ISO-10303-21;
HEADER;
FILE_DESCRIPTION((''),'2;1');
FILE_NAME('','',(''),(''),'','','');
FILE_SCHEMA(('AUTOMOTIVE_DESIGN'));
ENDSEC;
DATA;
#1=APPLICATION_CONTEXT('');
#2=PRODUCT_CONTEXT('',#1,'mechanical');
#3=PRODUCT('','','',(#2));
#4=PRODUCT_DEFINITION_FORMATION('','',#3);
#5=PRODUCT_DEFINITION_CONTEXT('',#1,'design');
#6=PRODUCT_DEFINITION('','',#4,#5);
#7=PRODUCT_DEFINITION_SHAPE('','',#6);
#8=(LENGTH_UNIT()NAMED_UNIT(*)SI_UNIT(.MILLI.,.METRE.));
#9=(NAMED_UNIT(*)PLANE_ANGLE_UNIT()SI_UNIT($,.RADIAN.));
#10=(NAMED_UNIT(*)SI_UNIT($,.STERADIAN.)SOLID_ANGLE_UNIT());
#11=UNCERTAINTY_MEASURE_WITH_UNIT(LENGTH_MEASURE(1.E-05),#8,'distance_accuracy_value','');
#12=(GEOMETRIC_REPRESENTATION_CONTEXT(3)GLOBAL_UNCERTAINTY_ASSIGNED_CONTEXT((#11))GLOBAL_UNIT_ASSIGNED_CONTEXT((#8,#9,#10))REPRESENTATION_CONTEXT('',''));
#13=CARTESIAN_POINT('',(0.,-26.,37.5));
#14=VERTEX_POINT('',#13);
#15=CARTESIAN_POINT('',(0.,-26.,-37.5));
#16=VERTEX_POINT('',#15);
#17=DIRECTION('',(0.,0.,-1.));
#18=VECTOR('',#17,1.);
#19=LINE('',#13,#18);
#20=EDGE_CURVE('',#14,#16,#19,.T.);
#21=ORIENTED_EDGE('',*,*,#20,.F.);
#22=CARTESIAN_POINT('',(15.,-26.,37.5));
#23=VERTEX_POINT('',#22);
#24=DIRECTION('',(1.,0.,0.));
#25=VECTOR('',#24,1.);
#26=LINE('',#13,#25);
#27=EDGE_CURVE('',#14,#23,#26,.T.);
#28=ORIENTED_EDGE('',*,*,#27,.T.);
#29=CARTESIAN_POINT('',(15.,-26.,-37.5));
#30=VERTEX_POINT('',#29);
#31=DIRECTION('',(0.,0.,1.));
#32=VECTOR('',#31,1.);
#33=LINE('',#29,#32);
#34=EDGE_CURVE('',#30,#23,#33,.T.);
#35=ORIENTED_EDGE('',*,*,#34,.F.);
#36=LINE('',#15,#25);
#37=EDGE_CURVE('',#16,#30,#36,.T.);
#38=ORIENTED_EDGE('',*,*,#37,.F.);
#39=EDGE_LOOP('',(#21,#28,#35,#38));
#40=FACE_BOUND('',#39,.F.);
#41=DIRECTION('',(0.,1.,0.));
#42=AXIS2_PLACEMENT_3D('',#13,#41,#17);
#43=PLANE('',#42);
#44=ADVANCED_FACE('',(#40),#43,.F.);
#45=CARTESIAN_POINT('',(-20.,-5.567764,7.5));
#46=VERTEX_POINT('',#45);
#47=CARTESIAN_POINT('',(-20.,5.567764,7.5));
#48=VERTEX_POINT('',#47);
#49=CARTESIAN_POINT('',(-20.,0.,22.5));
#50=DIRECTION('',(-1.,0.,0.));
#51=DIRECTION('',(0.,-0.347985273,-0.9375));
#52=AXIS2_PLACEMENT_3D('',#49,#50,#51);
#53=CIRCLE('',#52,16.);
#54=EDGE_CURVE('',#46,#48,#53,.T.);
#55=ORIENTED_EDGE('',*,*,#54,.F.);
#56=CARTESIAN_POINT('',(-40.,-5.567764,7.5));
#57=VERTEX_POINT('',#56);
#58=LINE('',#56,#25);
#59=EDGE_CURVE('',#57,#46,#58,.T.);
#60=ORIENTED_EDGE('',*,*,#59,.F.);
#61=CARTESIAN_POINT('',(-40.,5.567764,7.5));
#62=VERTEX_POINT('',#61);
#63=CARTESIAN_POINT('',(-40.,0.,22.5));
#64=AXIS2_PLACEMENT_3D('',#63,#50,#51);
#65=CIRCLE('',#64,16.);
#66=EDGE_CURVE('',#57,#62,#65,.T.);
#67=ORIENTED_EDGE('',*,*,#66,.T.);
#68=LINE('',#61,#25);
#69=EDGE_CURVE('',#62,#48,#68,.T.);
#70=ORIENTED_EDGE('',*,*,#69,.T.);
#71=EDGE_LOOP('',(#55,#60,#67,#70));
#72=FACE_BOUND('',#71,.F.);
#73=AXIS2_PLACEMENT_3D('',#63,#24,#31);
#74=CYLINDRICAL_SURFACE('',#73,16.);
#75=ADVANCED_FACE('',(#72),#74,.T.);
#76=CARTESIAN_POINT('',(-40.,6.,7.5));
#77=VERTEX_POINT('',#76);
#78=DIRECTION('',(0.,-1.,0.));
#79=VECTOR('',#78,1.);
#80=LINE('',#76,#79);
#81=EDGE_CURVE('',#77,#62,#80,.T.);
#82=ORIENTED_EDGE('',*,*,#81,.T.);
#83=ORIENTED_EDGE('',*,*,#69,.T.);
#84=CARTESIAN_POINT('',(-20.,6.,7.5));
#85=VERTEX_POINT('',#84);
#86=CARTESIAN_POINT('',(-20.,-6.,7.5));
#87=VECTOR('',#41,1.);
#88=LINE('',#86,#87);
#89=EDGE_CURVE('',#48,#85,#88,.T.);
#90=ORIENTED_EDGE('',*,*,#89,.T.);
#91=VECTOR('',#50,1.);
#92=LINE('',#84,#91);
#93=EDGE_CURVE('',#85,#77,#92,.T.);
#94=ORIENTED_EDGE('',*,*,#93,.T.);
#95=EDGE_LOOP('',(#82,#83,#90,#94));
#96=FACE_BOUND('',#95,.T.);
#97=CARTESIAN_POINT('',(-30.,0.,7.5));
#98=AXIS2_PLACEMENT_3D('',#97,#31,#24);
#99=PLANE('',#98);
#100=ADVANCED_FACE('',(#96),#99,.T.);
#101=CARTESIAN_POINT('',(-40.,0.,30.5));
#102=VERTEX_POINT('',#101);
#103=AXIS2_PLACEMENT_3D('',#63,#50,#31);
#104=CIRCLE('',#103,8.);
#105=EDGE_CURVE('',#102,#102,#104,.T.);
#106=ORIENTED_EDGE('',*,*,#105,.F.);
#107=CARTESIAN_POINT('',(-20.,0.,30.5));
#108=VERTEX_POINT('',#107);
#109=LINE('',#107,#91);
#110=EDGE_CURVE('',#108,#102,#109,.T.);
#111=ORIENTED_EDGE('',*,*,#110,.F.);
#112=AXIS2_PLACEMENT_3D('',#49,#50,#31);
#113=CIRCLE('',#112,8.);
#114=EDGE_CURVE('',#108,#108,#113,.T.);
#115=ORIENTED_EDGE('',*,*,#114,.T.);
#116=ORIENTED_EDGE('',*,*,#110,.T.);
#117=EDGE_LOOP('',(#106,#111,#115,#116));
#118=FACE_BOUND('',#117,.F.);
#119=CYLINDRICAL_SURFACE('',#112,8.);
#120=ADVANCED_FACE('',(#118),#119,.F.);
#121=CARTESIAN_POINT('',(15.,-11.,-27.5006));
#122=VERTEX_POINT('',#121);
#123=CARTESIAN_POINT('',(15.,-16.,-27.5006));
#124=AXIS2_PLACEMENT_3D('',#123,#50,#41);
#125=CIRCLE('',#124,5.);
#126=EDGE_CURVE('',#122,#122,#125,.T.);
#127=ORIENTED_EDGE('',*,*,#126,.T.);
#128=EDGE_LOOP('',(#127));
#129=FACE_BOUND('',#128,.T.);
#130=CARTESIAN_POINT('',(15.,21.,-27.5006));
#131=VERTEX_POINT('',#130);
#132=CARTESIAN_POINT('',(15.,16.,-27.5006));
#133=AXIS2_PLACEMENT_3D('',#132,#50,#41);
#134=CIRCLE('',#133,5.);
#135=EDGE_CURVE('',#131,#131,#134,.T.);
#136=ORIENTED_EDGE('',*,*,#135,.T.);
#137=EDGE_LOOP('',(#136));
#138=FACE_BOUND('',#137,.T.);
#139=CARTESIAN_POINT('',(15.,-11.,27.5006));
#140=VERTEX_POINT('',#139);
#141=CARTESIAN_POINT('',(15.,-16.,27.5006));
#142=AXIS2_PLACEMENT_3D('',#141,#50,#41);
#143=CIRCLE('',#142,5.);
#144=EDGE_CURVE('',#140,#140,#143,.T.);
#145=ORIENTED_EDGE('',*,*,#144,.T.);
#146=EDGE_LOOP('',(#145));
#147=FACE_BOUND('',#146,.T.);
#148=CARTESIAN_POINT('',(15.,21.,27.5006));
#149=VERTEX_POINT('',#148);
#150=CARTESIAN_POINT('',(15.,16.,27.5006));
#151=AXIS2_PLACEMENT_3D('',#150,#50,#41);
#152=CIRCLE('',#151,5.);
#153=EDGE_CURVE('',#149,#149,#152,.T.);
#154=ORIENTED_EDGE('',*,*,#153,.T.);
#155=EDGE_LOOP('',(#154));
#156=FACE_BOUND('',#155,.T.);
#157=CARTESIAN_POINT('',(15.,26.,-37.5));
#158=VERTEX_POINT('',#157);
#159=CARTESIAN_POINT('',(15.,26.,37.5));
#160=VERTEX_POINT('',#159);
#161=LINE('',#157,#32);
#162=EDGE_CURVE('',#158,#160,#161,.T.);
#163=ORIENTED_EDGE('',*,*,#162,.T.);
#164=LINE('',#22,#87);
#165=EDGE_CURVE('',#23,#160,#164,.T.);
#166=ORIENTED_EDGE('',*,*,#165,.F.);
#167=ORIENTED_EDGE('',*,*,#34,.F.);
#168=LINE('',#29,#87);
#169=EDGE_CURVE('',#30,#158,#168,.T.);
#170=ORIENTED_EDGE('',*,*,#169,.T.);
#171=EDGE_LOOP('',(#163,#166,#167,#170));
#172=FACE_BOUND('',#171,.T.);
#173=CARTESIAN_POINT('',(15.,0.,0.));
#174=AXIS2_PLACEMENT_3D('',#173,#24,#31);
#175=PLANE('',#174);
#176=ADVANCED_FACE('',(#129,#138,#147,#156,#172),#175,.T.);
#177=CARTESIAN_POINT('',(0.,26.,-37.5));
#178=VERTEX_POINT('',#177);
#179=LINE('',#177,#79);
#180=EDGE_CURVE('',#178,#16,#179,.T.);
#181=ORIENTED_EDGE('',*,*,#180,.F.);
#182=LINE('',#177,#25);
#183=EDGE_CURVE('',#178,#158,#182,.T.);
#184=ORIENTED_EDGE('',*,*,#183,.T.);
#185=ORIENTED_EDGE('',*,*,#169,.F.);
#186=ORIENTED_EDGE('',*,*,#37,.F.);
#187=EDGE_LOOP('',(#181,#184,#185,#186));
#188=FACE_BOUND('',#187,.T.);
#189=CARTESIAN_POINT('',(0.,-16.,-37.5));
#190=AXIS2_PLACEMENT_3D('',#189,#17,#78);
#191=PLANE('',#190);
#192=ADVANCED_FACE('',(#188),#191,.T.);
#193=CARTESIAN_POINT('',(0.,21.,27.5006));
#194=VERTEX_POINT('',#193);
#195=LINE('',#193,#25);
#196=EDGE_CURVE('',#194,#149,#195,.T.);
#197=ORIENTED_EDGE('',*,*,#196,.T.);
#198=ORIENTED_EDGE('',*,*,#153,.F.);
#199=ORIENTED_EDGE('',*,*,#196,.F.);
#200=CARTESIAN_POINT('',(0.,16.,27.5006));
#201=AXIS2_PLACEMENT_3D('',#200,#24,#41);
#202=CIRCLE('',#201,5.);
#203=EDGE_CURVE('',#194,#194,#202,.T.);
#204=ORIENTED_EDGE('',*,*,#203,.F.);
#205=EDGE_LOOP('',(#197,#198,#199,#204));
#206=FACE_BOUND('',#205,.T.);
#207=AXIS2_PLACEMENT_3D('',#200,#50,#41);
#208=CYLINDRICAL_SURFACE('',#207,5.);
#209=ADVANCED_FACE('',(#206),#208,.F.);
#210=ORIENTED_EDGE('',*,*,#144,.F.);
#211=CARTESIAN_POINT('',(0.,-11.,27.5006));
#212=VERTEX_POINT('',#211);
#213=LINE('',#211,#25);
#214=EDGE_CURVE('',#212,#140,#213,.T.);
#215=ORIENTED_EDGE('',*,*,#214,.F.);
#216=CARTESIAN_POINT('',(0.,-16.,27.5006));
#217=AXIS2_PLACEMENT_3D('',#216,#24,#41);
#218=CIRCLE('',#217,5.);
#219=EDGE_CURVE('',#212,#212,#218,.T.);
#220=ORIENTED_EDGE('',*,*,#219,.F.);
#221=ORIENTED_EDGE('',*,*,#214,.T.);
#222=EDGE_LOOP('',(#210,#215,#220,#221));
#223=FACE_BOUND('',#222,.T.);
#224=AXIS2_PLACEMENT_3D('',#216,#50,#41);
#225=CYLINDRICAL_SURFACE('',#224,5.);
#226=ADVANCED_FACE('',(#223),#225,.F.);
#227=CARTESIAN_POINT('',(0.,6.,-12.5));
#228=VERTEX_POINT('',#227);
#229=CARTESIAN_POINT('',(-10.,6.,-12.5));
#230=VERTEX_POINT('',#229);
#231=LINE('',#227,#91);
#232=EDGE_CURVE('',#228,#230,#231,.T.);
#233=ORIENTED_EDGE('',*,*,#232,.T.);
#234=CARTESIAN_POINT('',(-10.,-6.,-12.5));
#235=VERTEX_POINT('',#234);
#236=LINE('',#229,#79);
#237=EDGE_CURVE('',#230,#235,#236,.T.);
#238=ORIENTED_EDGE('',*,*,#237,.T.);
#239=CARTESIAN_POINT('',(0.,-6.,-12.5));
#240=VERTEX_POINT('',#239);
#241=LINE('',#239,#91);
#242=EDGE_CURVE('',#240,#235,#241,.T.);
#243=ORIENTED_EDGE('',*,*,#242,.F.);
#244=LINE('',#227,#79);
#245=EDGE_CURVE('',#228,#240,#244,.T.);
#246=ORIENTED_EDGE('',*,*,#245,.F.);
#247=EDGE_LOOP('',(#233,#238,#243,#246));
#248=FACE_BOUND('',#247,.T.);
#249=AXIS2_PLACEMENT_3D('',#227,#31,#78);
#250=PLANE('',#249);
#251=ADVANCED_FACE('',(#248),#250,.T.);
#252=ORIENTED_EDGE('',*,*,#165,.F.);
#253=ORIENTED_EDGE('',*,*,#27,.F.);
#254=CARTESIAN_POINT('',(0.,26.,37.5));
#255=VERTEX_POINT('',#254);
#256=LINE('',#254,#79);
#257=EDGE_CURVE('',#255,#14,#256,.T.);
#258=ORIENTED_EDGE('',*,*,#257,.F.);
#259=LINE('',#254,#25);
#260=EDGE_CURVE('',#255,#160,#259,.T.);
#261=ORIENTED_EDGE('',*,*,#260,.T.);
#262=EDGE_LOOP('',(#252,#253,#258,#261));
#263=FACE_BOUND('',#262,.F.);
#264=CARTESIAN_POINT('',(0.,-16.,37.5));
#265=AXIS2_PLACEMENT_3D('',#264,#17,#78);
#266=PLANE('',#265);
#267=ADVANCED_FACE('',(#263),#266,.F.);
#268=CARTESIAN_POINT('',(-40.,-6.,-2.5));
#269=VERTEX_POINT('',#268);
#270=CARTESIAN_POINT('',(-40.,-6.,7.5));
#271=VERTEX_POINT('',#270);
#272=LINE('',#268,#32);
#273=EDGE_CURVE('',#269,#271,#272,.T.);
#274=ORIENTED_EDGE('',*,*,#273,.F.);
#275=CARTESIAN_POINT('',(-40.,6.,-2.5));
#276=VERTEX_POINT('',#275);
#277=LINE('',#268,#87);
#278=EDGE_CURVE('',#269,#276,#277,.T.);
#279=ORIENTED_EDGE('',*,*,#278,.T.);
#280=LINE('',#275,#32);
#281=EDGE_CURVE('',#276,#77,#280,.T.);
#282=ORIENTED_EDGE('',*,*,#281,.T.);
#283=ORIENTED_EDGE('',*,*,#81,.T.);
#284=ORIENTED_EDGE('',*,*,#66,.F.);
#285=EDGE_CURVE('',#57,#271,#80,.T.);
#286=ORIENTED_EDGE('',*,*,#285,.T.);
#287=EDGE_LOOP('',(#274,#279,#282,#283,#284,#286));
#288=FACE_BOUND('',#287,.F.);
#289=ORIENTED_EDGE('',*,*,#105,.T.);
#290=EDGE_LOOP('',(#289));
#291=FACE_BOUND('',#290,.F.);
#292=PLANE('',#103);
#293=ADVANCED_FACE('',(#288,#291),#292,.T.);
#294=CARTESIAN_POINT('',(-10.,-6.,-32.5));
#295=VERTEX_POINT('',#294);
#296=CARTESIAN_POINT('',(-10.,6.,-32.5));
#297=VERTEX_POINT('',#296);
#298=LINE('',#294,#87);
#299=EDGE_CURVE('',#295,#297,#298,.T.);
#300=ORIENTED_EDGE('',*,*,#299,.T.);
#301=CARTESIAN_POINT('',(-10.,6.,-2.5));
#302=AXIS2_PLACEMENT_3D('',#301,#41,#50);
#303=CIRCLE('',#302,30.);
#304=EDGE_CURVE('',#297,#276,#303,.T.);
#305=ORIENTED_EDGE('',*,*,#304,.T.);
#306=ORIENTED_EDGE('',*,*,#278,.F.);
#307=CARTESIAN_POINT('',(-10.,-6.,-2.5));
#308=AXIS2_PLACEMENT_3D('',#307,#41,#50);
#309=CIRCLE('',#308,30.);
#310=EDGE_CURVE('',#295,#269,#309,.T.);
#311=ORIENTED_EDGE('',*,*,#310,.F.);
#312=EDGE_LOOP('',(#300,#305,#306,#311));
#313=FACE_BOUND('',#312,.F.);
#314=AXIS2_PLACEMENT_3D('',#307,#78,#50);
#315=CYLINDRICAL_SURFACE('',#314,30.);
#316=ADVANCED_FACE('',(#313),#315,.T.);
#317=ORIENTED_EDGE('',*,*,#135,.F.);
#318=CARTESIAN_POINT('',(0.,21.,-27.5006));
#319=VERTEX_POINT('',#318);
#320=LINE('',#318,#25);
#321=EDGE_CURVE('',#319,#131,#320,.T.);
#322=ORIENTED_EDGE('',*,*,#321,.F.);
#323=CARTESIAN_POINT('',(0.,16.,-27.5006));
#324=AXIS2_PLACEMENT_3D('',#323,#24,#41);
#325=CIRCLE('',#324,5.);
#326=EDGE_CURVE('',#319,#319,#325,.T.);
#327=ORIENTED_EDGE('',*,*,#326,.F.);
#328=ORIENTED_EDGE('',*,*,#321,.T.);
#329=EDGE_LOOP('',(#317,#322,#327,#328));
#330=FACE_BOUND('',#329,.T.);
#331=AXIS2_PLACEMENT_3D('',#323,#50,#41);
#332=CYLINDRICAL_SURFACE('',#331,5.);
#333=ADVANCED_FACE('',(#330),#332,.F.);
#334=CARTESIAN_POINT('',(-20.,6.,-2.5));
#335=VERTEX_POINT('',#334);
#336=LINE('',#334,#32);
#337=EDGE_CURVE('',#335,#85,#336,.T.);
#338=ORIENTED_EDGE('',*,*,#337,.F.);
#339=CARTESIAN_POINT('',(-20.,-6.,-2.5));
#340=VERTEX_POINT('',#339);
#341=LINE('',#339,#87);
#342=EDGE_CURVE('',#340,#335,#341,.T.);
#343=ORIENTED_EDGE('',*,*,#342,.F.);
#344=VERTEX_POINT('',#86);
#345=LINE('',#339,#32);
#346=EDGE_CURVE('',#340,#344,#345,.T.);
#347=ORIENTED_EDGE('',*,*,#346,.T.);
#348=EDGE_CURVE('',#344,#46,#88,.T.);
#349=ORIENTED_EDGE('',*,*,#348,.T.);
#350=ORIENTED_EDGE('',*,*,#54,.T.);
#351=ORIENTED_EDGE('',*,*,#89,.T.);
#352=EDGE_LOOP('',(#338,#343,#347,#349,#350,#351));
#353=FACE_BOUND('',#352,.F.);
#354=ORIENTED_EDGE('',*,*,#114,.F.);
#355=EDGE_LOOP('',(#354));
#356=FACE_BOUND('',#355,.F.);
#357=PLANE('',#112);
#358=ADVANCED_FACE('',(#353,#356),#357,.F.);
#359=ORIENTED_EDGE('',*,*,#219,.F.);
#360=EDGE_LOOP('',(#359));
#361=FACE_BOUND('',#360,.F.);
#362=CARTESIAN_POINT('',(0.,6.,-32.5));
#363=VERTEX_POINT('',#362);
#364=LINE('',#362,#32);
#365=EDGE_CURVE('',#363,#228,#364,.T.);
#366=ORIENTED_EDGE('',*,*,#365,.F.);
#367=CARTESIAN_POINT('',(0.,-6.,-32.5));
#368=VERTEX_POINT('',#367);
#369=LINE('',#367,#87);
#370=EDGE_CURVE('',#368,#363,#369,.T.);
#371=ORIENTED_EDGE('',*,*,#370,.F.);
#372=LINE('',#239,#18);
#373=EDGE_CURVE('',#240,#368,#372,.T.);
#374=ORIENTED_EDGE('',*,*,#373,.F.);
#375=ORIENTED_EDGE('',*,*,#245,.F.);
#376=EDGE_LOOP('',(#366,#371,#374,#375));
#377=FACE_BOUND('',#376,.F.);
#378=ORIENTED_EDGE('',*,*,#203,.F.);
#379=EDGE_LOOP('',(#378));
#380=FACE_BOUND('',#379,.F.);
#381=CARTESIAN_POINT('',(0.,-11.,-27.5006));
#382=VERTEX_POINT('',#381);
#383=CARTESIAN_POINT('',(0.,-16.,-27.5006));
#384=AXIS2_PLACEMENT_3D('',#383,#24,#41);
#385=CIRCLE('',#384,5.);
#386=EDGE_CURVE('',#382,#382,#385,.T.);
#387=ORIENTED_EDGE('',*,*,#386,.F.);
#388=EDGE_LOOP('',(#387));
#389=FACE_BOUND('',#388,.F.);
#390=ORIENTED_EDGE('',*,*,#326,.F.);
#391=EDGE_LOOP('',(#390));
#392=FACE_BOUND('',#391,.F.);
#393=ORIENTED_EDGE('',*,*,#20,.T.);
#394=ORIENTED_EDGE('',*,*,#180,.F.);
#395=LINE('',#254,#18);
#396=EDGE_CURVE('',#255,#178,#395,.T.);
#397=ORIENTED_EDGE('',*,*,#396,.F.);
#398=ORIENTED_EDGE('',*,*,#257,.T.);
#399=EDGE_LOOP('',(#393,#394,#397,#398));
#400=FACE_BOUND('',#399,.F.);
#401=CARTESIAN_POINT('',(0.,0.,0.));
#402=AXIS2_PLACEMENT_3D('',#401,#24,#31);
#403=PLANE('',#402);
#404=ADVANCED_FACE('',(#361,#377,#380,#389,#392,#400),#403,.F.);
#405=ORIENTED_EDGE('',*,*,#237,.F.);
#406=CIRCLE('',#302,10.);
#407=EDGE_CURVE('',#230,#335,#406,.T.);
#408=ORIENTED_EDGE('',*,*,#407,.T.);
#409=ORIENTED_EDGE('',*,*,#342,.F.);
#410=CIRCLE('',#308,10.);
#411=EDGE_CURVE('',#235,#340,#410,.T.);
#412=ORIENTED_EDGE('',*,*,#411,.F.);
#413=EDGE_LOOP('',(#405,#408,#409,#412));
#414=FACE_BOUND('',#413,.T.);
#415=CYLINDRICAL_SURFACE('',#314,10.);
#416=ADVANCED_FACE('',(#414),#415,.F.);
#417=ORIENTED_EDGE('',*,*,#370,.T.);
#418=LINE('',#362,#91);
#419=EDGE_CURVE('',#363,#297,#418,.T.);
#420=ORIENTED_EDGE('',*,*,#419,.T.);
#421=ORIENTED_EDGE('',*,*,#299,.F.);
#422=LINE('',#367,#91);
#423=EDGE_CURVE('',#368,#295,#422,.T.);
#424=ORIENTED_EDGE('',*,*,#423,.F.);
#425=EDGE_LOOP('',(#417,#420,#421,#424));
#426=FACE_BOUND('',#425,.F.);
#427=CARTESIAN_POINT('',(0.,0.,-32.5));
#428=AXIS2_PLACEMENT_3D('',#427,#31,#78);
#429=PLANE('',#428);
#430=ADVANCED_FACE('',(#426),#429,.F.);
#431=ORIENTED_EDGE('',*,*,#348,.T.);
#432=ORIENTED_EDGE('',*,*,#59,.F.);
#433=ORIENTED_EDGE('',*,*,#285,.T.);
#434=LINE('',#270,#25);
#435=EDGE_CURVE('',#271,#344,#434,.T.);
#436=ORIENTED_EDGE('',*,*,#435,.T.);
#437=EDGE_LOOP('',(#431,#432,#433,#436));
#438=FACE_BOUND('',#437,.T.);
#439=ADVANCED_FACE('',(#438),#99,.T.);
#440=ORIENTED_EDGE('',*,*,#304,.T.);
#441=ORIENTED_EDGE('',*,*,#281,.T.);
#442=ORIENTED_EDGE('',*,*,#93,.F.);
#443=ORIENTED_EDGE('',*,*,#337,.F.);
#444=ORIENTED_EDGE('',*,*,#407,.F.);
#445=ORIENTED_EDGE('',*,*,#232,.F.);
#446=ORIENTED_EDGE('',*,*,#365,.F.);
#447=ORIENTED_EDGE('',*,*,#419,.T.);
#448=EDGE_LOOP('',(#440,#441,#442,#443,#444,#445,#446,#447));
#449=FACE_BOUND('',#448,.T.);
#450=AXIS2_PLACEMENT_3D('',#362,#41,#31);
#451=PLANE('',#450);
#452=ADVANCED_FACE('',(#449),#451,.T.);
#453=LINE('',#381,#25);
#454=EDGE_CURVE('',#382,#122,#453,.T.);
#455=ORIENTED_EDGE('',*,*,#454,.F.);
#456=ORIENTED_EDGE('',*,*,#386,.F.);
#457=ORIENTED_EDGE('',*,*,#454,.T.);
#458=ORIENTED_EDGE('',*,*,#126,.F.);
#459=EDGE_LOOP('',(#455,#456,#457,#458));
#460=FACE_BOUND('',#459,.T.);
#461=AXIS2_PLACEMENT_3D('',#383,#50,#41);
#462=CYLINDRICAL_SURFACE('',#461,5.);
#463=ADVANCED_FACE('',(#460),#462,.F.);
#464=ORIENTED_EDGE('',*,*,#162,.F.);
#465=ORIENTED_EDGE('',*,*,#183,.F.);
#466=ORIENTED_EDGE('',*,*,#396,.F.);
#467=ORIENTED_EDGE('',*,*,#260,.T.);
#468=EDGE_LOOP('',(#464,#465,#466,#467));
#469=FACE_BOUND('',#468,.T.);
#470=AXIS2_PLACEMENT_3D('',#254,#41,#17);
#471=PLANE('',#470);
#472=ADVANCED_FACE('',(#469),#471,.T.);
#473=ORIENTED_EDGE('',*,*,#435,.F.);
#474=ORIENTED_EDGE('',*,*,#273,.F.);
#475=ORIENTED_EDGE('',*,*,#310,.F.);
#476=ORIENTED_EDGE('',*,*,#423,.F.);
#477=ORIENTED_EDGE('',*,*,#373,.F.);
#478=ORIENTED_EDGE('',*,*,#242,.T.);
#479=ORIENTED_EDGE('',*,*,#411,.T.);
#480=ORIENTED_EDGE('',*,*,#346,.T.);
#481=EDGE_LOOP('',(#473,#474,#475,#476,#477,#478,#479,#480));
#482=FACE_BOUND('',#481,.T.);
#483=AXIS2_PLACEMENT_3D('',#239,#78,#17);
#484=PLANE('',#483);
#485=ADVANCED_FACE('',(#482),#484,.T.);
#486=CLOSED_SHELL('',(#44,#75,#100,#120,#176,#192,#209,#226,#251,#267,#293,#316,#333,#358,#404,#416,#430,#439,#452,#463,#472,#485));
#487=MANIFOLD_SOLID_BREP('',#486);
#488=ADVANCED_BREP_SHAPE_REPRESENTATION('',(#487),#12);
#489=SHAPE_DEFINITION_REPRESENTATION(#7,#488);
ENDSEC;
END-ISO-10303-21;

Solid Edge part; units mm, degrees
sketch "Sketch1" plane through (0, 0, 0) normal (1, 0, 0) x (0, 1, 0)
  line L0 (-26, 37.5) -> (-26, 0)
  line L1 (-26, -37.5) -> (-26, 0)
  line L2 (-16, -37.5) -> (-26, -37.5)
  line L3 (0, -37.5) -> (-16, -37.5)
  line L4 (0, -37.5) -> (16, -37.5)
  line L5 (16, -37.5) -> (26, -37.5)
  line L6 (26, -37.5) -> (26, 0)
  line L7 (26, 37.5) -> (26, 0)
  line L8 (16, 37.5) -> (26, 37.5)
  line L9 (0, 37.5) -> (16, 37.5)
  line L10 (0, 37.5) -> (-16, 37.5)
  line L11 (-16, 37.5) -> (-26, 37.5)
extrude "Protrusion1" add sketch "Sketch1" along normal blind 15
sketch "Sketch2" plane through (0, 0, 0) normal (1, 0, 0) x (0, 1, 0)
  circle A0 centre (-16, 27.5006) radius 5
  circle A1 centre (-16, -27.5006) radius 5
  circle A2 centre (16, -27.5006) radius 5
  circle A3 centre (16, 27.5006) radius 5
extrude "ExtrudedCutout_1" cut sketch "Sketch2" along normal blind 26.9909
sketch "Sketch3" plane through (0, 0, 0) normal (1, 0, 0) x (0, 1, 0)
  line L0 (6, -32.5) -> (6, -12.5)
  line L1 (6, -12.5) -> (-6, -12.5)
  line L2 (-6, -12.5) -> (-6, -32.5)
  line L3 (0, -32.5) -> (-6, -32.5)
  line L4 (0, -32.5) -> (6, -32.5)
extrude "ExtrudedProtrusion_2" add sketch "Sketch3" against normal blind 10
sketch "Sketch4" plane through (-5, -6, -22.5) normal (0, -1, 0) x (-1, 0, 0)
  line L0 (15, -20) -> (35, -20)
  line L1 (5, -10) -> (5, 10)
  arc A0 (5, 10) -> (35, -20) centre (5, -20) cw
  arc A1 (5, -10) -> (15, -20) centre (5, -20) cw
extrude "ExtrudedProtrusion_4" add sketch "Sketch4" against normal blind 12
sketch "Sketch5" plane through (-30, 0, -2.5) normal (0, 0, 1) x (0, 1, 0)
  line L0 (6, -10) -> (6, 10)
  line L1 (6, 10) -> (-6, 10)
  line L2 (-6, 10) -> (-6, -10)
  line L3 (-6, -10) -> (6, -10)
extrude "ExtrudedProtrusion_5" add sketch "Sketch5" along normal blind 10
sketch "Sketch6" plane through (0, 0, 0) normal (0, -1, 0) x (1, 0, 0)
  line L0 (-20, 30.5) -> (-40, 30.5)
  line L1 (-40, 30.5) -> (-40, 38.5)
  line L2 (-40, 38.5) -> (-20, 38.5)
  line L3 (-20, 38.5) -> (-20, 30.5)
revolve "RevolvedCutout1" cut sketch "Sketch6" angle 360 about axis through (-15.4193, 0, 22.5) along (-1, 0, 0)
sketch "Sketch7" plane through (0, 0, 0) normal (0, -1, 0) x (1, 0, 0)
  line L0 (-40, 30.5) -> (-40, 38.5)
  line L1 (-40, 38.5) -> (-20, 38.5)
  line L2 (-20, 38.5) -> (-20, 30.5)
  line L3 (-20, 30.5) -> (-40, 30.5)
revolve "RevolvedProtrusion1" add sketch "Sketch7" angle 360 about axis through (-15.4193, 0, 22.5) along (-1, 0, 0)
